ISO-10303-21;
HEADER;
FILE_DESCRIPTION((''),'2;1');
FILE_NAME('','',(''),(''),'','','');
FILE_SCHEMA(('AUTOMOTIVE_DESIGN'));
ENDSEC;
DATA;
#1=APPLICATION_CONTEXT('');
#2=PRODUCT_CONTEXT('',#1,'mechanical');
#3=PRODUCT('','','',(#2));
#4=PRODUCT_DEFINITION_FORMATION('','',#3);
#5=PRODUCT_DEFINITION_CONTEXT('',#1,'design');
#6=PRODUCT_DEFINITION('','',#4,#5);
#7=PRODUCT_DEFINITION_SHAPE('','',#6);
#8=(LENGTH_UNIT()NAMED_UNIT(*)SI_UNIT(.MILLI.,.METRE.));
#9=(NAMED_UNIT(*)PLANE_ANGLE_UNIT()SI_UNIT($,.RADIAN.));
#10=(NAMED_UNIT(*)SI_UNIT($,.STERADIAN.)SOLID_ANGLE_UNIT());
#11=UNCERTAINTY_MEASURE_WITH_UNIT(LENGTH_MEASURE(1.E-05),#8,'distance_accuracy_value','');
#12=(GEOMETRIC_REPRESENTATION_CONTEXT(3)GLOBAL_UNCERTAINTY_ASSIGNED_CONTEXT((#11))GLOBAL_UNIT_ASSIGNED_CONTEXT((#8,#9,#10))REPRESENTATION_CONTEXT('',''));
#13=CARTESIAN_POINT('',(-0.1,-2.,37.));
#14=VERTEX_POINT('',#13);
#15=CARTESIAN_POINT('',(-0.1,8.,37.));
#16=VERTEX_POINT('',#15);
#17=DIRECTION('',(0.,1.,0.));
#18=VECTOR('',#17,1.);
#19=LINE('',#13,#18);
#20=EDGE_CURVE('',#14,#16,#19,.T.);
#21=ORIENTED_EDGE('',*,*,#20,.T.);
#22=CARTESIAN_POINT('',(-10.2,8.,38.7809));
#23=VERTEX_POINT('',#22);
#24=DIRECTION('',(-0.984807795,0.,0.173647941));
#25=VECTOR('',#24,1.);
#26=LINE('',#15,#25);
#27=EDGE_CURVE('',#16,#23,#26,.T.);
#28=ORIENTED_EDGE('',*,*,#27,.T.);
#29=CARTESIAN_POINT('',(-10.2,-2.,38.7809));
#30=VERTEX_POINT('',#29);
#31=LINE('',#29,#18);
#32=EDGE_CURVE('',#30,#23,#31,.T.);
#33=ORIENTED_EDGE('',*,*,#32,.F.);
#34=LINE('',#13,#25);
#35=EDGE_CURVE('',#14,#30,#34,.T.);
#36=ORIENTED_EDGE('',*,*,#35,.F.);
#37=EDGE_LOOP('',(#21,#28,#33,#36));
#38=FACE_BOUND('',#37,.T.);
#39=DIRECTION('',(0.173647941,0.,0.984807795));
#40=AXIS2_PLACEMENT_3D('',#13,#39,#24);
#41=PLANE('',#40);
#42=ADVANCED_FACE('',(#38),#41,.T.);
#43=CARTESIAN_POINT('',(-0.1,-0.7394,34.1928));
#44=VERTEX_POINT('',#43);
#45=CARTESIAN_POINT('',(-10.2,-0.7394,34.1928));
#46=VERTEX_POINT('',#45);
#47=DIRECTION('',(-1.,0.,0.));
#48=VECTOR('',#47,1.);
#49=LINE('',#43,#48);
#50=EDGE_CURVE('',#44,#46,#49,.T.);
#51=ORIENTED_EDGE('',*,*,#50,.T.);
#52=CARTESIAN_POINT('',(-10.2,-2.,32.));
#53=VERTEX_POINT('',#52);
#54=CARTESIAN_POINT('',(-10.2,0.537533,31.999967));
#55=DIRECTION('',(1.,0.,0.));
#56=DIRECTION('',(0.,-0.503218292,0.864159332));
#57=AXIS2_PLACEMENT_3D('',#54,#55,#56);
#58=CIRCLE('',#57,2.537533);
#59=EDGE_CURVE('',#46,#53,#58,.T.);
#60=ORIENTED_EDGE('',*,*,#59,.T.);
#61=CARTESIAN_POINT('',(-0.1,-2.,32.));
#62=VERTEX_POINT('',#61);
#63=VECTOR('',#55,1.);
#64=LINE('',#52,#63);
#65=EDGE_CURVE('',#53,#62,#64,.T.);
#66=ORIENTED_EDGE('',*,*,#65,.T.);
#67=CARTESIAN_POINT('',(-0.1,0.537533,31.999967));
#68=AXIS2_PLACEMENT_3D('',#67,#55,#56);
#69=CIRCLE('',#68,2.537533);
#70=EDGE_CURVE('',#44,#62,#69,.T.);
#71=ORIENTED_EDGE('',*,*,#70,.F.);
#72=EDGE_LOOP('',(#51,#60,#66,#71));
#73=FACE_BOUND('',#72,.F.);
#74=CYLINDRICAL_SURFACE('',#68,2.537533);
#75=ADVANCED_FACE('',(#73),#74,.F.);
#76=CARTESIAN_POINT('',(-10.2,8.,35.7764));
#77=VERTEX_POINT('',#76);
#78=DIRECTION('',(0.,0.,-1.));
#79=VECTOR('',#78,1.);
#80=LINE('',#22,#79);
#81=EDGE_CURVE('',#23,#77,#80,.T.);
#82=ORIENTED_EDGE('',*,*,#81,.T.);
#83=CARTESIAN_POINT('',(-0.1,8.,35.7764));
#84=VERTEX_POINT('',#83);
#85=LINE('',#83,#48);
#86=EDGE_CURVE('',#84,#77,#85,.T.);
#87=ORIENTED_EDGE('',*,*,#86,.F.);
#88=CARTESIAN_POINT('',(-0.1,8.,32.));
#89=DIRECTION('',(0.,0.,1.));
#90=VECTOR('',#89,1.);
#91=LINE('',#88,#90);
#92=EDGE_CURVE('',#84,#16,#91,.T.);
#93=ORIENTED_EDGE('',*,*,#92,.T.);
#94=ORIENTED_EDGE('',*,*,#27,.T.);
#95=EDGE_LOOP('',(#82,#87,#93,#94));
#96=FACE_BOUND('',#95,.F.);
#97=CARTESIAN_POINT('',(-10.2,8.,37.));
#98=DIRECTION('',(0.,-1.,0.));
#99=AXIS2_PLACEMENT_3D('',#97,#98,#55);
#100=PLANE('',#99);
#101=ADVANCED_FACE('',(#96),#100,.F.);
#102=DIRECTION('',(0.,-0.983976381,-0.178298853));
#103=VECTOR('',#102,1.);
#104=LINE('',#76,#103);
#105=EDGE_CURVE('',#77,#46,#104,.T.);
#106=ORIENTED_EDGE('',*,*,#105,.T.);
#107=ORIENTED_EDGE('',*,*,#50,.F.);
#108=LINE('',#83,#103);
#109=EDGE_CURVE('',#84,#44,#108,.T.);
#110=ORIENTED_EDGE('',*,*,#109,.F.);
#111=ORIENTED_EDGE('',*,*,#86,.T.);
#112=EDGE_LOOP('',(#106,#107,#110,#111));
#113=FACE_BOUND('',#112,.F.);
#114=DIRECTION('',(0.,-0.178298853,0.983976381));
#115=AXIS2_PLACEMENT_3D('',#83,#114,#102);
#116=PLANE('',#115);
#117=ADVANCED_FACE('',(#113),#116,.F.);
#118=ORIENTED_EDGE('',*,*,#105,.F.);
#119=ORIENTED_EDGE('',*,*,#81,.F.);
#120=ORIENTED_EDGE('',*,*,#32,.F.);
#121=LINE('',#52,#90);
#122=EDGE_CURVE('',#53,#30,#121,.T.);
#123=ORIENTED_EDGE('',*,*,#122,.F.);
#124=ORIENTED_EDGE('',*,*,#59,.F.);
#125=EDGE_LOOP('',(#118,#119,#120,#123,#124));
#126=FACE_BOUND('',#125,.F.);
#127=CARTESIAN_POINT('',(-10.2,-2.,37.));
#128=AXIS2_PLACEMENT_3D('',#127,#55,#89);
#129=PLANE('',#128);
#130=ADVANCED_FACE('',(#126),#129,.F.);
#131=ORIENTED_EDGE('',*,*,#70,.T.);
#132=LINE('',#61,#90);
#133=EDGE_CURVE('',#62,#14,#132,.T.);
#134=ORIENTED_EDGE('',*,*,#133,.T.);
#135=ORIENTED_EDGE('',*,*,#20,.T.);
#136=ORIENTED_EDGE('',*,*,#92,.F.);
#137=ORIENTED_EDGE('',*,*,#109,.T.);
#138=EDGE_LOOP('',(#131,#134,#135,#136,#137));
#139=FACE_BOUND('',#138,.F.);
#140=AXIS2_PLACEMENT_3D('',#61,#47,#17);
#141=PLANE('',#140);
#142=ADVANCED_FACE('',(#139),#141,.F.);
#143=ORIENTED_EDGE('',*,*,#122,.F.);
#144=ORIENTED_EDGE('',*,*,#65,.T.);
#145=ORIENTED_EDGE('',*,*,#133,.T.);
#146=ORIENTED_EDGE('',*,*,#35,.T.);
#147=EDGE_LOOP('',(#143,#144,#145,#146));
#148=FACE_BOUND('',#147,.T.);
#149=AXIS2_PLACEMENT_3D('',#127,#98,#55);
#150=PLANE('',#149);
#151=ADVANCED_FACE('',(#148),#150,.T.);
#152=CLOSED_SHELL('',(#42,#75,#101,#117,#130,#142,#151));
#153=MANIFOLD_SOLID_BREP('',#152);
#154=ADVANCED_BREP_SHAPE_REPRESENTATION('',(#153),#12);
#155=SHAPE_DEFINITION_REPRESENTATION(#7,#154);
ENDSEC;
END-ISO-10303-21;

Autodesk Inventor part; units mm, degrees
ref_plane "YZ Plane" through (0, 0, 0) normal (1, 0, 0) x (0, 1, 0)
ref_plane "XZ Plane" through (0, 0, 0) normal (0, 1, 0) x (-1, 0, 0)
ref_plane "Arbeitsebene1" through (0, 0, 32) normal (0, 0, 1) x (1, 0, 0)
sketch "Skizze1" plane through (0, 0, 32) normal (0, 0, 1) x (1, 0, 0)
  line L0 (0, -2) -> (-10.2, -2) construction
  line L1 (0, 0) -> (-10.2, 0) construction
  line L2 (0, 0) -> (0, -2) construction
  line L3 (-10.2, 0) -> (-10.2, -2) construction
  line L4 (-10.2, -2) -> (-0.1, -2)
  line L5 (-0.1, -2) -> (-0.1, 8)
  line L6 (-0.1, 8) -> (-10.2, 8)
  line L7 (-10.2, 8) -> (-10.2, -2)
  dimension "d0" = 10.1
  dimension "d1" = 10
extrude "Extrusion1" add sketch "Skizze1" along normal blind 5
sketch "Skizze2" plane through (-0.1, -2, 32) normal (1, 0, 0) x (0, 0, -1)
  line L0 (-3.3973, 7.8087) -> (-3.7161, 9.6721) projected
  line L1 (-3.0763, 5.9578) -> (-2.8181, 4.4664) projected
  line L2 (-2.7379, 2.2485) -> (-2.2681, 1.397) construction
  line L3 (-1.7937, 0.8596) -> (-2.122, 0.4) construction
  line L4 (-2.7257, 0.0358) -> (-1.7762, -0.6392) construction
  line L5 (0, 0) -> (0, 10) construction
  line L6 (0, 10) -> (-5, 10) construction
  line L7 (-5, 0) -> (-5, 10) construction
  line L8 (0, 0) -> (-5, 0) construction
  line L9 (0, 10) -> (-5, 10) construction
  line L10 (-3.7764, 10) -> (-2.1928, 1.2606)
  line L11 (-1.7937, 0.8596) -> (-2.122, 0.4) projected
  line L12 (-2.6421, 0.9776) -> (-2.2681, 1.397) construction
  line L13 (-2.122, 0.4) -> (-2.1571, -0.2183) construction
  line L14 (-1.7937, 0.8596) -> (-2.122, 0.4) projected
  line L15 (-1.7937, 0.8596) -> (-2.122, 0.4) projected
  arc A0 (-2.1928, 1.2606) -> (0, 0) centre (0, 2.5375) ccw
  line L16 (-3.7764, 10) -> (0, 10)
  line L17 (0, 10) -> (0, 0)
  point P0 (32, 2)
  point P1 (0.0012, 1.774)
extrude "Extrusion2" cut sketch "Skizze2" against normal through all
sketch "Skizze3" plane through (-10.2, -2, 37) normal (0, -1, 0) x (1, 0, 0)
  line L0 (10.2, -37) -> (0, -37) construction
  line L1 (10.2, -42) -> (10.2, -37) construction
  line L2 (0, -37) -> (0, -42) construction
  line L3 (0, -5) -> (10.1, -5) construction
  line L4 (10.1, -5) -> (10.1, 0) construction
  line L5 (0, 0) -> (10.1, 0) construction
  line L6 (0, -5) -> (0, 0) construction
  line L7 (1.0755, -3.8674) -> (-2.3192, -4.631) construction
  line L8 (4.494, -3.2233) -> (1.0755, -3.8674) construction
  line L9 (11.3855, -2.2621) -> (4.494, -3.2233) construction
  line L10 (0, -5) -> (0, 0)
  line L11 (0, -4.1093) -> (10.2, -2.4274) construction
  line L12 (10.1, -5) -> (10.1, 0)
  line L13 (10.1, 0) -> (0, 0)
  line L14 (0, 0) -> (0, 1.7809)
  line L15 (0, 0) -> (10.1, 0)
  line L16 (10.1, 0) -> (0, 1.7809)
  line L17 (10.1, 0) -> (20.3558, 0) construction
extrude "Extrusion3" add sketch "Skizze3" against normal up to surface (10 mm away)
properties part number "palm_side_plate"
